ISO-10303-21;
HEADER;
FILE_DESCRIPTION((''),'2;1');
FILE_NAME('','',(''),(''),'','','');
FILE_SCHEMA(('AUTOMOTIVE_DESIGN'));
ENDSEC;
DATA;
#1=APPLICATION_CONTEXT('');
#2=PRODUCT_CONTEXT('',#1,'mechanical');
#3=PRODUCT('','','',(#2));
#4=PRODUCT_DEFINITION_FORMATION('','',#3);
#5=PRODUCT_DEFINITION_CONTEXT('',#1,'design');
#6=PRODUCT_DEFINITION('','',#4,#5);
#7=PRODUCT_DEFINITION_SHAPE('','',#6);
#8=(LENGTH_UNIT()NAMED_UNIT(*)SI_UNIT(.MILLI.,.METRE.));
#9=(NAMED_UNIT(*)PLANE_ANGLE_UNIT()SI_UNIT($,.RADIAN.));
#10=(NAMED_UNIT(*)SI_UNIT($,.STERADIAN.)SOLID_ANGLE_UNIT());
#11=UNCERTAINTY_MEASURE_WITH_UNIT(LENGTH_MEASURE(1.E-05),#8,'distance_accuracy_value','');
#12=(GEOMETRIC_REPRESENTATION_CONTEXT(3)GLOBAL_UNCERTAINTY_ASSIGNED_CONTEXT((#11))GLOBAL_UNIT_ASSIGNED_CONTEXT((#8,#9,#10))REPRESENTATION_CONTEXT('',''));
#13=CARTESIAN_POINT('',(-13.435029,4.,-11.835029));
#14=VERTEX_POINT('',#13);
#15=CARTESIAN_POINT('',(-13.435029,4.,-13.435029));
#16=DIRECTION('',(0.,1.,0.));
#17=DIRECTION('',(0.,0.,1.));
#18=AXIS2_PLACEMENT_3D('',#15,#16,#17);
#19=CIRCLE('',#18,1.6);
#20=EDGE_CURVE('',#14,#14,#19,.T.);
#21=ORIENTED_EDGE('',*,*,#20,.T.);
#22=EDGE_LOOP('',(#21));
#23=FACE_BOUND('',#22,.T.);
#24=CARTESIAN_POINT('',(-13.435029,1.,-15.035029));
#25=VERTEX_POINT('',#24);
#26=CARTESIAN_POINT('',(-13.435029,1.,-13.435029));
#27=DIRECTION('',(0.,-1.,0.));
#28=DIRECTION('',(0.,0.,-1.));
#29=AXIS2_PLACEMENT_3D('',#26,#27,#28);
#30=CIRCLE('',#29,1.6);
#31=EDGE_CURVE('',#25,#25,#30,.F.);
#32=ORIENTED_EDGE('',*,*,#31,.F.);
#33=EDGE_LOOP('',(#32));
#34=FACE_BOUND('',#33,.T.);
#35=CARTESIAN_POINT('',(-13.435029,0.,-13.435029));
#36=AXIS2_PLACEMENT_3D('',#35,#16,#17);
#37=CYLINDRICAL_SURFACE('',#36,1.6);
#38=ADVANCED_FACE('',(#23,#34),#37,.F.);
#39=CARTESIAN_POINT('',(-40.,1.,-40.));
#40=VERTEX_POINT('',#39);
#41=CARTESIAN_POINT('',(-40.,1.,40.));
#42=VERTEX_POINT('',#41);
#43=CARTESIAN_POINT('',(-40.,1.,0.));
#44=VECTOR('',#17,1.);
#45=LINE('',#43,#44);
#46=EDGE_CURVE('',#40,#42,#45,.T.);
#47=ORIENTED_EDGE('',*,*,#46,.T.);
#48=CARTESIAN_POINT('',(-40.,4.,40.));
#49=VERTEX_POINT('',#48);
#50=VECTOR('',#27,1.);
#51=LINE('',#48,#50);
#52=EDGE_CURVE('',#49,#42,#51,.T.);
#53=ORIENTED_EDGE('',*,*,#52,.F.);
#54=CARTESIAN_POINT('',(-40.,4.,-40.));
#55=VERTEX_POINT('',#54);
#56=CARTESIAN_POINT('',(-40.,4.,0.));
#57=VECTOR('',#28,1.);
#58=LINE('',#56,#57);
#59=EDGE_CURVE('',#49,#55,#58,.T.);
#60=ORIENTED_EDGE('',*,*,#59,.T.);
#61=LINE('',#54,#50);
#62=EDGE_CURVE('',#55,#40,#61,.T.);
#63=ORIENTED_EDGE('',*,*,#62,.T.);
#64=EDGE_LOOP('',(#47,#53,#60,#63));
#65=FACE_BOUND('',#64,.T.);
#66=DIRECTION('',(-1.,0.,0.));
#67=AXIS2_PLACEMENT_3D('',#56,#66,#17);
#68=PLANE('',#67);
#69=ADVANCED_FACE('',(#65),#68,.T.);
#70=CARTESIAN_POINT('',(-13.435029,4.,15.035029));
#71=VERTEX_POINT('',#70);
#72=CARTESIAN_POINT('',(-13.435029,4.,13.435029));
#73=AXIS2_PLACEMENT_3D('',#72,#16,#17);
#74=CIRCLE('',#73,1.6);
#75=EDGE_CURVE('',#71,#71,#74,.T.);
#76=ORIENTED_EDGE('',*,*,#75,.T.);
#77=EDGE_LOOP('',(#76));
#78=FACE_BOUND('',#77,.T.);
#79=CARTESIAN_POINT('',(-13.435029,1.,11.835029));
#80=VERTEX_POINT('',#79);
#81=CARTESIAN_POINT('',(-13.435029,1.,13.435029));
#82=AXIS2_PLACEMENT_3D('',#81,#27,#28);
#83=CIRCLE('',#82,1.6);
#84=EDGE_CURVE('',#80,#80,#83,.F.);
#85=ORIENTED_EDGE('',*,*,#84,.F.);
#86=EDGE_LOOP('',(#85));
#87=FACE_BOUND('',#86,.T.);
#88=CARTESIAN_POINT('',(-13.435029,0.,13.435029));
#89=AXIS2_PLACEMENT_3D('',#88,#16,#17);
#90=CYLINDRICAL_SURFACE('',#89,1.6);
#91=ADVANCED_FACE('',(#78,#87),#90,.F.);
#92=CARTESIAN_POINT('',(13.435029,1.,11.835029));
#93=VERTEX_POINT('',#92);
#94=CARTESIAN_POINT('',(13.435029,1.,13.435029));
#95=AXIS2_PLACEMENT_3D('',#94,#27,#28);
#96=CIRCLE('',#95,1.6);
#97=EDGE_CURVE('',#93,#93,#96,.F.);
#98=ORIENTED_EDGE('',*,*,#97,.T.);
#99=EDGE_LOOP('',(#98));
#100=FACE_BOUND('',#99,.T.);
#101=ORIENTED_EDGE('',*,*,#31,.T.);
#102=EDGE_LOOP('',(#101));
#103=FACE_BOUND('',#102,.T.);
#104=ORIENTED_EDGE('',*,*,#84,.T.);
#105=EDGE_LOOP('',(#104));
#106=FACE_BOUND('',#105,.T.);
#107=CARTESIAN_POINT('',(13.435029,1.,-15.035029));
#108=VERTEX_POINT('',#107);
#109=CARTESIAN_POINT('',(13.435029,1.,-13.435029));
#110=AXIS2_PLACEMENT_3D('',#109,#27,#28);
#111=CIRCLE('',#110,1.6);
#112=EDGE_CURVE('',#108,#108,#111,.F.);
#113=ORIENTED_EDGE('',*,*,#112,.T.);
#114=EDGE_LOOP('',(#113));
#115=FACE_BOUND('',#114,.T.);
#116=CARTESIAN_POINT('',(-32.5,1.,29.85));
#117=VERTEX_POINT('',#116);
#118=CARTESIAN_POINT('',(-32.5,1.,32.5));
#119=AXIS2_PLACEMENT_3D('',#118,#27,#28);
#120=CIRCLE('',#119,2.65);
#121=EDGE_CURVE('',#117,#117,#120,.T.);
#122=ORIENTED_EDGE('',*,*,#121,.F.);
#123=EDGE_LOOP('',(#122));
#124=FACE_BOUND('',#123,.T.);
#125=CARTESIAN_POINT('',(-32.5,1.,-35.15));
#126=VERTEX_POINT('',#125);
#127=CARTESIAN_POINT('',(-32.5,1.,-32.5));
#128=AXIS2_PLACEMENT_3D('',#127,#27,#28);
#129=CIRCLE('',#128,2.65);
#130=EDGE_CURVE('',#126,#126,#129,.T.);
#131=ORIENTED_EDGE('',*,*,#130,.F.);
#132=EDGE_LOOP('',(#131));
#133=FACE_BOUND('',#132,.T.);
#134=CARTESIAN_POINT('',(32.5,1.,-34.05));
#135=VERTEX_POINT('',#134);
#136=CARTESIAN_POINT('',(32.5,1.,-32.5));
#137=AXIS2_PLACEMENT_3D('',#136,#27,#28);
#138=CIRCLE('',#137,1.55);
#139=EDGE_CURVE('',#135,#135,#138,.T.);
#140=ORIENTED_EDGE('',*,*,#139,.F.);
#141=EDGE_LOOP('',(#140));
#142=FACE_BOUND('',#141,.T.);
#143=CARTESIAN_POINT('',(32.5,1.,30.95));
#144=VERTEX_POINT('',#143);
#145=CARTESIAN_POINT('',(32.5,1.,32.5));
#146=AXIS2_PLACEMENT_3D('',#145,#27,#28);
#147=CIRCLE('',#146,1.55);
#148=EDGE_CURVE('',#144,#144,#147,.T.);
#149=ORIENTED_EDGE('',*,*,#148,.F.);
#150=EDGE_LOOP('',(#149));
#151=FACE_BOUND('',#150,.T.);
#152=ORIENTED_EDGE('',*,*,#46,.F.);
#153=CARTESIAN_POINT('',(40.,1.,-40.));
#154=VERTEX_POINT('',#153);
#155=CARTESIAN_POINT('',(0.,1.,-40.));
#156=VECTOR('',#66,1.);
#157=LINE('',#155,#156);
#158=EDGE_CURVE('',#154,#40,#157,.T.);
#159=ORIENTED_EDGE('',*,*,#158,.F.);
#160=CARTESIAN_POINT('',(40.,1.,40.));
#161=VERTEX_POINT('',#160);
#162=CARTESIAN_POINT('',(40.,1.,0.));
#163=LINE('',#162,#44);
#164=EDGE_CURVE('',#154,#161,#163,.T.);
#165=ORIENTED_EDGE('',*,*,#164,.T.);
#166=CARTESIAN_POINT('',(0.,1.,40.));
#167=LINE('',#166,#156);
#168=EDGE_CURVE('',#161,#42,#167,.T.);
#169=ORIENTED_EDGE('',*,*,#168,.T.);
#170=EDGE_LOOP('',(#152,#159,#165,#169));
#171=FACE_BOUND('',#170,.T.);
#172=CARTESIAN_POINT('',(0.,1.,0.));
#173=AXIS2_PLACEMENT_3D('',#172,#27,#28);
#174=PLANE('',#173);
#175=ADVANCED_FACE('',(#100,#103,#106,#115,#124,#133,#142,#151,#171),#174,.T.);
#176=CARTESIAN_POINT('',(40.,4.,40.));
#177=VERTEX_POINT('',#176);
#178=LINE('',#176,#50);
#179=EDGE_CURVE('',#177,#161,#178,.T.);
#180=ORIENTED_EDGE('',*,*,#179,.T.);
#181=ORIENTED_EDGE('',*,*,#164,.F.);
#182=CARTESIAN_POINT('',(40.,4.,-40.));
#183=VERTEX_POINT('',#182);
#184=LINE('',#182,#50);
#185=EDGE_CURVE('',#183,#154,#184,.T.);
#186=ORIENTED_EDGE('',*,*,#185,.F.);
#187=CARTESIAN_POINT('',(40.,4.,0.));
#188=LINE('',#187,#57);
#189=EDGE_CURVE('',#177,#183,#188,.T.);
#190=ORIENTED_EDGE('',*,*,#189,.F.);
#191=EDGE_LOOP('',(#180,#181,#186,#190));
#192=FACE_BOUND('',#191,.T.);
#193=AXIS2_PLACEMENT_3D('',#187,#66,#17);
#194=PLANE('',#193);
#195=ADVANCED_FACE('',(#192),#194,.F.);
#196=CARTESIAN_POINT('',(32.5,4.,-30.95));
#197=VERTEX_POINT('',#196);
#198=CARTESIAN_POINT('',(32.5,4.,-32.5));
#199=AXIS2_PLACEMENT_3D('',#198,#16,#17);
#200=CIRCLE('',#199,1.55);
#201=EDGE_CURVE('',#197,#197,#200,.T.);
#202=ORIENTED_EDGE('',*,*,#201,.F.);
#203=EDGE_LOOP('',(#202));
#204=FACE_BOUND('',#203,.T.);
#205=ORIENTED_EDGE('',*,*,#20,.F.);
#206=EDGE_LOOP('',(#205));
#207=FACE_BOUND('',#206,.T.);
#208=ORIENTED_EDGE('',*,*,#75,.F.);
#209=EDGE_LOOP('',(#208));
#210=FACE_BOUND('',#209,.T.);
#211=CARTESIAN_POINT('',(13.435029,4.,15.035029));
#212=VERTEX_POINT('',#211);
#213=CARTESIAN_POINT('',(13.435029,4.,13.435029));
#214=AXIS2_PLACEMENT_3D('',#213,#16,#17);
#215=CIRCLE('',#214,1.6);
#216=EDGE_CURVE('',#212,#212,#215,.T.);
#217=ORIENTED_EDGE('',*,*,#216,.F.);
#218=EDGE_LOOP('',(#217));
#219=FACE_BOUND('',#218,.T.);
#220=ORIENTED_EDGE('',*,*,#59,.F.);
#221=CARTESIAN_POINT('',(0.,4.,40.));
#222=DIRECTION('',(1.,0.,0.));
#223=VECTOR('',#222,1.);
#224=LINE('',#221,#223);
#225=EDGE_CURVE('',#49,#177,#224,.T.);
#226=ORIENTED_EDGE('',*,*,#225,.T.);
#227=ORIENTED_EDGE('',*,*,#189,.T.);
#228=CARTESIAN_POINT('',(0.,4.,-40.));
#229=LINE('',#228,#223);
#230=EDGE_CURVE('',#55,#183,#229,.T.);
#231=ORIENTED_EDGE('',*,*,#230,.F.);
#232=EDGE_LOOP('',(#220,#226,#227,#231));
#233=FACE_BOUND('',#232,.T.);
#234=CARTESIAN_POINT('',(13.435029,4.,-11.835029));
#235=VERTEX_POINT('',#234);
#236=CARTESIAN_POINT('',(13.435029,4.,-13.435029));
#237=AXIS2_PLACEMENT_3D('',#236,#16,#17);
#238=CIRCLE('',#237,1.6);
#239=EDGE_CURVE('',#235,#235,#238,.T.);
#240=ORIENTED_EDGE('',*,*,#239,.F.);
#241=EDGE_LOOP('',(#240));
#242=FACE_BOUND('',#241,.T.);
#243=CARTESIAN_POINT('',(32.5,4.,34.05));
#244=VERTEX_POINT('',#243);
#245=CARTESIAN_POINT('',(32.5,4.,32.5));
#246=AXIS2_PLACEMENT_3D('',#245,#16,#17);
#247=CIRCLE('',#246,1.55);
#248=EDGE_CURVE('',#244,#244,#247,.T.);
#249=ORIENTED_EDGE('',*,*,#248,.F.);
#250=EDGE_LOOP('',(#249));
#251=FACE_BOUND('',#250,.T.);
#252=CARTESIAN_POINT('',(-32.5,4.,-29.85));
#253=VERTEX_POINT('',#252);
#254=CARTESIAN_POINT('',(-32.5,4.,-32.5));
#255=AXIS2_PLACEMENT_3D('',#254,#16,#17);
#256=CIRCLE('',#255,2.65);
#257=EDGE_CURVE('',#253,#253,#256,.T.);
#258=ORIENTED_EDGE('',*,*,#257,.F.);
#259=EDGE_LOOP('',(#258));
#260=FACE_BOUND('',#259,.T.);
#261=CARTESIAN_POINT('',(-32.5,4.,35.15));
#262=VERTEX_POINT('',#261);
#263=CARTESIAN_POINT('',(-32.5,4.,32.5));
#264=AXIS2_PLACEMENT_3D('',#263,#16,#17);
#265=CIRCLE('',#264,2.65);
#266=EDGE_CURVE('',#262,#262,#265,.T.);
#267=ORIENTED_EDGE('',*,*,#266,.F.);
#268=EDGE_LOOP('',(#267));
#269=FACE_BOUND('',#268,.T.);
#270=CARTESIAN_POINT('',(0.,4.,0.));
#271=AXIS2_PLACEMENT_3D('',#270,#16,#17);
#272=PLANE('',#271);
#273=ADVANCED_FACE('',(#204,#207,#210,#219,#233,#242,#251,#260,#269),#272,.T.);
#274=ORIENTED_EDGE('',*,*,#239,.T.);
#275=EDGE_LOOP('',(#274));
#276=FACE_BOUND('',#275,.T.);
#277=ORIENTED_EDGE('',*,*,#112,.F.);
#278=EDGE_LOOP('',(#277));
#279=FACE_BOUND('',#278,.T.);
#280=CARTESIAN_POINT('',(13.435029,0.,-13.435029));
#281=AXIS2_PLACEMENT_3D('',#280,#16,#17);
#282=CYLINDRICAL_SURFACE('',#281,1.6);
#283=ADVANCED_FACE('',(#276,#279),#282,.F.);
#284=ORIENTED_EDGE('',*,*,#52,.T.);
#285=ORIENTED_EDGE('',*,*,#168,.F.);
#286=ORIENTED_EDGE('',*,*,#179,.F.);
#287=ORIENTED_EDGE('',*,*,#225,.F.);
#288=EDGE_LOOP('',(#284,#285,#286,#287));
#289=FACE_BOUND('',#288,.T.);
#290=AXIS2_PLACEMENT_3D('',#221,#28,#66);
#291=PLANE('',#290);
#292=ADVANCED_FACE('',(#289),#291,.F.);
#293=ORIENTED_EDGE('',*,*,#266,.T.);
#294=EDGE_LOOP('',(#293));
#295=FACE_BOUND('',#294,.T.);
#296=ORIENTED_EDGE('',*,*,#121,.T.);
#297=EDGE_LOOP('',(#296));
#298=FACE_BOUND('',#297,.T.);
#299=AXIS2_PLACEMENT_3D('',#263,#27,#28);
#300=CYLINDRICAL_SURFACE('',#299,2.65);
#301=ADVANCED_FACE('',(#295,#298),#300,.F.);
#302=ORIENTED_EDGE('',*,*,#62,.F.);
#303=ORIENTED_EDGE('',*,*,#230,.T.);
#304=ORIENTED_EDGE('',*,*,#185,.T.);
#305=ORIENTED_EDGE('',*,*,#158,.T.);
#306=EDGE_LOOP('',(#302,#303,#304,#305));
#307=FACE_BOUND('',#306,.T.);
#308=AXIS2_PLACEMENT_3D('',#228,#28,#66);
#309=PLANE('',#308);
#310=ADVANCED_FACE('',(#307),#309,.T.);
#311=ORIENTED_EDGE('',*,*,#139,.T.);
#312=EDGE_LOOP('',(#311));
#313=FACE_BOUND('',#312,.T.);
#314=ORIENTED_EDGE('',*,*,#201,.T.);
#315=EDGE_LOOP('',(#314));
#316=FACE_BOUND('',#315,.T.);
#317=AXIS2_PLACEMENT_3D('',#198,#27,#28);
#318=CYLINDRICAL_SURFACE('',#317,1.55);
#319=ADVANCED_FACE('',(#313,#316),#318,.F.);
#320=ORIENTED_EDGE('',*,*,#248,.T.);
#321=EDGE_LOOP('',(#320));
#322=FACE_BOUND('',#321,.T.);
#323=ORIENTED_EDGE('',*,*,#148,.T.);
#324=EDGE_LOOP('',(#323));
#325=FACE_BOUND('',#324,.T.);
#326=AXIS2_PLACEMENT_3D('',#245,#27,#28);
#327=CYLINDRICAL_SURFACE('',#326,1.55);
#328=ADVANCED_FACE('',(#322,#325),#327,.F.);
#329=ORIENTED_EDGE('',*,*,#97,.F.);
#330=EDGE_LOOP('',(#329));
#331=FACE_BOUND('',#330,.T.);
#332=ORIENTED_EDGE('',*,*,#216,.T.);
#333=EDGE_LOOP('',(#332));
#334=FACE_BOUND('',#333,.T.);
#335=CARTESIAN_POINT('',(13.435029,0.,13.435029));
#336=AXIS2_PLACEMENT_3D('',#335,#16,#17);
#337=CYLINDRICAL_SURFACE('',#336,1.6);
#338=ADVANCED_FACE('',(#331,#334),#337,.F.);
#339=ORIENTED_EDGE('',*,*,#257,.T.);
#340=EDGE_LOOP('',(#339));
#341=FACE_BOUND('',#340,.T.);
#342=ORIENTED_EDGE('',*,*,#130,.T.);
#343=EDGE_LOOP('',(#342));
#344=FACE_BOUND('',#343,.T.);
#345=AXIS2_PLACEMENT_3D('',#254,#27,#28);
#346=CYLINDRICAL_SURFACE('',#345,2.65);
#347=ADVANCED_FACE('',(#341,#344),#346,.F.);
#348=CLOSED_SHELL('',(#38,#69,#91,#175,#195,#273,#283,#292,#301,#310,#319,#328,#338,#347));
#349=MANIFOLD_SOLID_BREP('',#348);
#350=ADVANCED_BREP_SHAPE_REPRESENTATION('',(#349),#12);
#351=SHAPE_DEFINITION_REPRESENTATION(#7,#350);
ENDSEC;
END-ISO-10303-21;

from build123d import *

# Parameters (mm, degrees)
SKETCH_1_W          = 80
SKETCH_1_H          = 80
SKETCH_1_R          = 2.65
SKETCH_1_R_2        = 1.55
EXTRUDE_1_DEPTH     = 4
SKETCH_2_R          = 1.6
CUT_EXTRUDE_1_DEPTH = 57.709787515
SKETCH_3_W          = 114.446601022
SKETCH_3_H          = 92.900037665
CUT_EXTRUDE_2_DEPTH = 1


with BuildPart() as part:
    # 草图1 → 凸台-拉伸1 (new body)
    with BuildSketch(Plane(origin=(0, 0, 0), x_dir=(1, 0, 0), z_dir=(0, 1, 0))):
        Rectangle(SKETCH_1_W, SKETCH_1_H)
        with Locations(Location((-32.5, 32.5, 0), (0, 0, 270))):
            Circle(SKETCH_1_R, mode=Mode.SUBTRACT)
        with Locations(Location((-32.5, -32.5, 0), (0, 0, 270))):
            Circle(SKETCH_1_R, mode=Mode.SUBTRACT)
        with Locations(Location((32.5, 32.5, 0), (0, 0, 270))):
            Circle(SKETCH_1_R_2, mode=Mode.SUBTRACT)
        with Locations(Location((32.5, -32.5, 0), (0, 0, 270))):
            Circle(SKETCH_1_R_2, mode=Mode.SUBTRACT)
    extrude(amount=EXTRUDE_1_DEPTH)

    # 草图2 → 切除-拉伸1 (cut, through all)
    with BuildSketch(Plane(origin=(0, 4, 0), x_dir=(1, 0, 0), z_dir=(0, 1, 0))):
        with Locations(Location((13.435028843, 13.435028843, 0), (0, 0, 270))):
            Circle(SKETCH_2_R)
        with Locations(Location((13.435028843, -13.435028843, 0), (0, 0, 270))):
            Circle(SKETCH_2_R)
        with Locations(Location((-13.435028843, -13.435028843, 0), (0, 0, 270))):
            Circle(SKETCH_2_R)
        with Locations(Location((-13.435028843, 13.435028843, 0), (0, 0, 270))):
            Circle(SKETCH_2_R)
    extrude(amount=-CUT_EXTRUDE_1_DEPTH, mode=Mode.SUBTRACT)

    # 草图3 → 切除-拉伸2 (cut)
    with BuildSketch(Plane.XZ):
        with Locations((9.368071025, -1.951681463)):
            Rectangle(SKETCH_3_W, SKETCH_3_H)
    extrude(amount=-CUT_EXTRUDE_2_DEPTH, mode=Mode.SUBTRACT)


solid = part.part
